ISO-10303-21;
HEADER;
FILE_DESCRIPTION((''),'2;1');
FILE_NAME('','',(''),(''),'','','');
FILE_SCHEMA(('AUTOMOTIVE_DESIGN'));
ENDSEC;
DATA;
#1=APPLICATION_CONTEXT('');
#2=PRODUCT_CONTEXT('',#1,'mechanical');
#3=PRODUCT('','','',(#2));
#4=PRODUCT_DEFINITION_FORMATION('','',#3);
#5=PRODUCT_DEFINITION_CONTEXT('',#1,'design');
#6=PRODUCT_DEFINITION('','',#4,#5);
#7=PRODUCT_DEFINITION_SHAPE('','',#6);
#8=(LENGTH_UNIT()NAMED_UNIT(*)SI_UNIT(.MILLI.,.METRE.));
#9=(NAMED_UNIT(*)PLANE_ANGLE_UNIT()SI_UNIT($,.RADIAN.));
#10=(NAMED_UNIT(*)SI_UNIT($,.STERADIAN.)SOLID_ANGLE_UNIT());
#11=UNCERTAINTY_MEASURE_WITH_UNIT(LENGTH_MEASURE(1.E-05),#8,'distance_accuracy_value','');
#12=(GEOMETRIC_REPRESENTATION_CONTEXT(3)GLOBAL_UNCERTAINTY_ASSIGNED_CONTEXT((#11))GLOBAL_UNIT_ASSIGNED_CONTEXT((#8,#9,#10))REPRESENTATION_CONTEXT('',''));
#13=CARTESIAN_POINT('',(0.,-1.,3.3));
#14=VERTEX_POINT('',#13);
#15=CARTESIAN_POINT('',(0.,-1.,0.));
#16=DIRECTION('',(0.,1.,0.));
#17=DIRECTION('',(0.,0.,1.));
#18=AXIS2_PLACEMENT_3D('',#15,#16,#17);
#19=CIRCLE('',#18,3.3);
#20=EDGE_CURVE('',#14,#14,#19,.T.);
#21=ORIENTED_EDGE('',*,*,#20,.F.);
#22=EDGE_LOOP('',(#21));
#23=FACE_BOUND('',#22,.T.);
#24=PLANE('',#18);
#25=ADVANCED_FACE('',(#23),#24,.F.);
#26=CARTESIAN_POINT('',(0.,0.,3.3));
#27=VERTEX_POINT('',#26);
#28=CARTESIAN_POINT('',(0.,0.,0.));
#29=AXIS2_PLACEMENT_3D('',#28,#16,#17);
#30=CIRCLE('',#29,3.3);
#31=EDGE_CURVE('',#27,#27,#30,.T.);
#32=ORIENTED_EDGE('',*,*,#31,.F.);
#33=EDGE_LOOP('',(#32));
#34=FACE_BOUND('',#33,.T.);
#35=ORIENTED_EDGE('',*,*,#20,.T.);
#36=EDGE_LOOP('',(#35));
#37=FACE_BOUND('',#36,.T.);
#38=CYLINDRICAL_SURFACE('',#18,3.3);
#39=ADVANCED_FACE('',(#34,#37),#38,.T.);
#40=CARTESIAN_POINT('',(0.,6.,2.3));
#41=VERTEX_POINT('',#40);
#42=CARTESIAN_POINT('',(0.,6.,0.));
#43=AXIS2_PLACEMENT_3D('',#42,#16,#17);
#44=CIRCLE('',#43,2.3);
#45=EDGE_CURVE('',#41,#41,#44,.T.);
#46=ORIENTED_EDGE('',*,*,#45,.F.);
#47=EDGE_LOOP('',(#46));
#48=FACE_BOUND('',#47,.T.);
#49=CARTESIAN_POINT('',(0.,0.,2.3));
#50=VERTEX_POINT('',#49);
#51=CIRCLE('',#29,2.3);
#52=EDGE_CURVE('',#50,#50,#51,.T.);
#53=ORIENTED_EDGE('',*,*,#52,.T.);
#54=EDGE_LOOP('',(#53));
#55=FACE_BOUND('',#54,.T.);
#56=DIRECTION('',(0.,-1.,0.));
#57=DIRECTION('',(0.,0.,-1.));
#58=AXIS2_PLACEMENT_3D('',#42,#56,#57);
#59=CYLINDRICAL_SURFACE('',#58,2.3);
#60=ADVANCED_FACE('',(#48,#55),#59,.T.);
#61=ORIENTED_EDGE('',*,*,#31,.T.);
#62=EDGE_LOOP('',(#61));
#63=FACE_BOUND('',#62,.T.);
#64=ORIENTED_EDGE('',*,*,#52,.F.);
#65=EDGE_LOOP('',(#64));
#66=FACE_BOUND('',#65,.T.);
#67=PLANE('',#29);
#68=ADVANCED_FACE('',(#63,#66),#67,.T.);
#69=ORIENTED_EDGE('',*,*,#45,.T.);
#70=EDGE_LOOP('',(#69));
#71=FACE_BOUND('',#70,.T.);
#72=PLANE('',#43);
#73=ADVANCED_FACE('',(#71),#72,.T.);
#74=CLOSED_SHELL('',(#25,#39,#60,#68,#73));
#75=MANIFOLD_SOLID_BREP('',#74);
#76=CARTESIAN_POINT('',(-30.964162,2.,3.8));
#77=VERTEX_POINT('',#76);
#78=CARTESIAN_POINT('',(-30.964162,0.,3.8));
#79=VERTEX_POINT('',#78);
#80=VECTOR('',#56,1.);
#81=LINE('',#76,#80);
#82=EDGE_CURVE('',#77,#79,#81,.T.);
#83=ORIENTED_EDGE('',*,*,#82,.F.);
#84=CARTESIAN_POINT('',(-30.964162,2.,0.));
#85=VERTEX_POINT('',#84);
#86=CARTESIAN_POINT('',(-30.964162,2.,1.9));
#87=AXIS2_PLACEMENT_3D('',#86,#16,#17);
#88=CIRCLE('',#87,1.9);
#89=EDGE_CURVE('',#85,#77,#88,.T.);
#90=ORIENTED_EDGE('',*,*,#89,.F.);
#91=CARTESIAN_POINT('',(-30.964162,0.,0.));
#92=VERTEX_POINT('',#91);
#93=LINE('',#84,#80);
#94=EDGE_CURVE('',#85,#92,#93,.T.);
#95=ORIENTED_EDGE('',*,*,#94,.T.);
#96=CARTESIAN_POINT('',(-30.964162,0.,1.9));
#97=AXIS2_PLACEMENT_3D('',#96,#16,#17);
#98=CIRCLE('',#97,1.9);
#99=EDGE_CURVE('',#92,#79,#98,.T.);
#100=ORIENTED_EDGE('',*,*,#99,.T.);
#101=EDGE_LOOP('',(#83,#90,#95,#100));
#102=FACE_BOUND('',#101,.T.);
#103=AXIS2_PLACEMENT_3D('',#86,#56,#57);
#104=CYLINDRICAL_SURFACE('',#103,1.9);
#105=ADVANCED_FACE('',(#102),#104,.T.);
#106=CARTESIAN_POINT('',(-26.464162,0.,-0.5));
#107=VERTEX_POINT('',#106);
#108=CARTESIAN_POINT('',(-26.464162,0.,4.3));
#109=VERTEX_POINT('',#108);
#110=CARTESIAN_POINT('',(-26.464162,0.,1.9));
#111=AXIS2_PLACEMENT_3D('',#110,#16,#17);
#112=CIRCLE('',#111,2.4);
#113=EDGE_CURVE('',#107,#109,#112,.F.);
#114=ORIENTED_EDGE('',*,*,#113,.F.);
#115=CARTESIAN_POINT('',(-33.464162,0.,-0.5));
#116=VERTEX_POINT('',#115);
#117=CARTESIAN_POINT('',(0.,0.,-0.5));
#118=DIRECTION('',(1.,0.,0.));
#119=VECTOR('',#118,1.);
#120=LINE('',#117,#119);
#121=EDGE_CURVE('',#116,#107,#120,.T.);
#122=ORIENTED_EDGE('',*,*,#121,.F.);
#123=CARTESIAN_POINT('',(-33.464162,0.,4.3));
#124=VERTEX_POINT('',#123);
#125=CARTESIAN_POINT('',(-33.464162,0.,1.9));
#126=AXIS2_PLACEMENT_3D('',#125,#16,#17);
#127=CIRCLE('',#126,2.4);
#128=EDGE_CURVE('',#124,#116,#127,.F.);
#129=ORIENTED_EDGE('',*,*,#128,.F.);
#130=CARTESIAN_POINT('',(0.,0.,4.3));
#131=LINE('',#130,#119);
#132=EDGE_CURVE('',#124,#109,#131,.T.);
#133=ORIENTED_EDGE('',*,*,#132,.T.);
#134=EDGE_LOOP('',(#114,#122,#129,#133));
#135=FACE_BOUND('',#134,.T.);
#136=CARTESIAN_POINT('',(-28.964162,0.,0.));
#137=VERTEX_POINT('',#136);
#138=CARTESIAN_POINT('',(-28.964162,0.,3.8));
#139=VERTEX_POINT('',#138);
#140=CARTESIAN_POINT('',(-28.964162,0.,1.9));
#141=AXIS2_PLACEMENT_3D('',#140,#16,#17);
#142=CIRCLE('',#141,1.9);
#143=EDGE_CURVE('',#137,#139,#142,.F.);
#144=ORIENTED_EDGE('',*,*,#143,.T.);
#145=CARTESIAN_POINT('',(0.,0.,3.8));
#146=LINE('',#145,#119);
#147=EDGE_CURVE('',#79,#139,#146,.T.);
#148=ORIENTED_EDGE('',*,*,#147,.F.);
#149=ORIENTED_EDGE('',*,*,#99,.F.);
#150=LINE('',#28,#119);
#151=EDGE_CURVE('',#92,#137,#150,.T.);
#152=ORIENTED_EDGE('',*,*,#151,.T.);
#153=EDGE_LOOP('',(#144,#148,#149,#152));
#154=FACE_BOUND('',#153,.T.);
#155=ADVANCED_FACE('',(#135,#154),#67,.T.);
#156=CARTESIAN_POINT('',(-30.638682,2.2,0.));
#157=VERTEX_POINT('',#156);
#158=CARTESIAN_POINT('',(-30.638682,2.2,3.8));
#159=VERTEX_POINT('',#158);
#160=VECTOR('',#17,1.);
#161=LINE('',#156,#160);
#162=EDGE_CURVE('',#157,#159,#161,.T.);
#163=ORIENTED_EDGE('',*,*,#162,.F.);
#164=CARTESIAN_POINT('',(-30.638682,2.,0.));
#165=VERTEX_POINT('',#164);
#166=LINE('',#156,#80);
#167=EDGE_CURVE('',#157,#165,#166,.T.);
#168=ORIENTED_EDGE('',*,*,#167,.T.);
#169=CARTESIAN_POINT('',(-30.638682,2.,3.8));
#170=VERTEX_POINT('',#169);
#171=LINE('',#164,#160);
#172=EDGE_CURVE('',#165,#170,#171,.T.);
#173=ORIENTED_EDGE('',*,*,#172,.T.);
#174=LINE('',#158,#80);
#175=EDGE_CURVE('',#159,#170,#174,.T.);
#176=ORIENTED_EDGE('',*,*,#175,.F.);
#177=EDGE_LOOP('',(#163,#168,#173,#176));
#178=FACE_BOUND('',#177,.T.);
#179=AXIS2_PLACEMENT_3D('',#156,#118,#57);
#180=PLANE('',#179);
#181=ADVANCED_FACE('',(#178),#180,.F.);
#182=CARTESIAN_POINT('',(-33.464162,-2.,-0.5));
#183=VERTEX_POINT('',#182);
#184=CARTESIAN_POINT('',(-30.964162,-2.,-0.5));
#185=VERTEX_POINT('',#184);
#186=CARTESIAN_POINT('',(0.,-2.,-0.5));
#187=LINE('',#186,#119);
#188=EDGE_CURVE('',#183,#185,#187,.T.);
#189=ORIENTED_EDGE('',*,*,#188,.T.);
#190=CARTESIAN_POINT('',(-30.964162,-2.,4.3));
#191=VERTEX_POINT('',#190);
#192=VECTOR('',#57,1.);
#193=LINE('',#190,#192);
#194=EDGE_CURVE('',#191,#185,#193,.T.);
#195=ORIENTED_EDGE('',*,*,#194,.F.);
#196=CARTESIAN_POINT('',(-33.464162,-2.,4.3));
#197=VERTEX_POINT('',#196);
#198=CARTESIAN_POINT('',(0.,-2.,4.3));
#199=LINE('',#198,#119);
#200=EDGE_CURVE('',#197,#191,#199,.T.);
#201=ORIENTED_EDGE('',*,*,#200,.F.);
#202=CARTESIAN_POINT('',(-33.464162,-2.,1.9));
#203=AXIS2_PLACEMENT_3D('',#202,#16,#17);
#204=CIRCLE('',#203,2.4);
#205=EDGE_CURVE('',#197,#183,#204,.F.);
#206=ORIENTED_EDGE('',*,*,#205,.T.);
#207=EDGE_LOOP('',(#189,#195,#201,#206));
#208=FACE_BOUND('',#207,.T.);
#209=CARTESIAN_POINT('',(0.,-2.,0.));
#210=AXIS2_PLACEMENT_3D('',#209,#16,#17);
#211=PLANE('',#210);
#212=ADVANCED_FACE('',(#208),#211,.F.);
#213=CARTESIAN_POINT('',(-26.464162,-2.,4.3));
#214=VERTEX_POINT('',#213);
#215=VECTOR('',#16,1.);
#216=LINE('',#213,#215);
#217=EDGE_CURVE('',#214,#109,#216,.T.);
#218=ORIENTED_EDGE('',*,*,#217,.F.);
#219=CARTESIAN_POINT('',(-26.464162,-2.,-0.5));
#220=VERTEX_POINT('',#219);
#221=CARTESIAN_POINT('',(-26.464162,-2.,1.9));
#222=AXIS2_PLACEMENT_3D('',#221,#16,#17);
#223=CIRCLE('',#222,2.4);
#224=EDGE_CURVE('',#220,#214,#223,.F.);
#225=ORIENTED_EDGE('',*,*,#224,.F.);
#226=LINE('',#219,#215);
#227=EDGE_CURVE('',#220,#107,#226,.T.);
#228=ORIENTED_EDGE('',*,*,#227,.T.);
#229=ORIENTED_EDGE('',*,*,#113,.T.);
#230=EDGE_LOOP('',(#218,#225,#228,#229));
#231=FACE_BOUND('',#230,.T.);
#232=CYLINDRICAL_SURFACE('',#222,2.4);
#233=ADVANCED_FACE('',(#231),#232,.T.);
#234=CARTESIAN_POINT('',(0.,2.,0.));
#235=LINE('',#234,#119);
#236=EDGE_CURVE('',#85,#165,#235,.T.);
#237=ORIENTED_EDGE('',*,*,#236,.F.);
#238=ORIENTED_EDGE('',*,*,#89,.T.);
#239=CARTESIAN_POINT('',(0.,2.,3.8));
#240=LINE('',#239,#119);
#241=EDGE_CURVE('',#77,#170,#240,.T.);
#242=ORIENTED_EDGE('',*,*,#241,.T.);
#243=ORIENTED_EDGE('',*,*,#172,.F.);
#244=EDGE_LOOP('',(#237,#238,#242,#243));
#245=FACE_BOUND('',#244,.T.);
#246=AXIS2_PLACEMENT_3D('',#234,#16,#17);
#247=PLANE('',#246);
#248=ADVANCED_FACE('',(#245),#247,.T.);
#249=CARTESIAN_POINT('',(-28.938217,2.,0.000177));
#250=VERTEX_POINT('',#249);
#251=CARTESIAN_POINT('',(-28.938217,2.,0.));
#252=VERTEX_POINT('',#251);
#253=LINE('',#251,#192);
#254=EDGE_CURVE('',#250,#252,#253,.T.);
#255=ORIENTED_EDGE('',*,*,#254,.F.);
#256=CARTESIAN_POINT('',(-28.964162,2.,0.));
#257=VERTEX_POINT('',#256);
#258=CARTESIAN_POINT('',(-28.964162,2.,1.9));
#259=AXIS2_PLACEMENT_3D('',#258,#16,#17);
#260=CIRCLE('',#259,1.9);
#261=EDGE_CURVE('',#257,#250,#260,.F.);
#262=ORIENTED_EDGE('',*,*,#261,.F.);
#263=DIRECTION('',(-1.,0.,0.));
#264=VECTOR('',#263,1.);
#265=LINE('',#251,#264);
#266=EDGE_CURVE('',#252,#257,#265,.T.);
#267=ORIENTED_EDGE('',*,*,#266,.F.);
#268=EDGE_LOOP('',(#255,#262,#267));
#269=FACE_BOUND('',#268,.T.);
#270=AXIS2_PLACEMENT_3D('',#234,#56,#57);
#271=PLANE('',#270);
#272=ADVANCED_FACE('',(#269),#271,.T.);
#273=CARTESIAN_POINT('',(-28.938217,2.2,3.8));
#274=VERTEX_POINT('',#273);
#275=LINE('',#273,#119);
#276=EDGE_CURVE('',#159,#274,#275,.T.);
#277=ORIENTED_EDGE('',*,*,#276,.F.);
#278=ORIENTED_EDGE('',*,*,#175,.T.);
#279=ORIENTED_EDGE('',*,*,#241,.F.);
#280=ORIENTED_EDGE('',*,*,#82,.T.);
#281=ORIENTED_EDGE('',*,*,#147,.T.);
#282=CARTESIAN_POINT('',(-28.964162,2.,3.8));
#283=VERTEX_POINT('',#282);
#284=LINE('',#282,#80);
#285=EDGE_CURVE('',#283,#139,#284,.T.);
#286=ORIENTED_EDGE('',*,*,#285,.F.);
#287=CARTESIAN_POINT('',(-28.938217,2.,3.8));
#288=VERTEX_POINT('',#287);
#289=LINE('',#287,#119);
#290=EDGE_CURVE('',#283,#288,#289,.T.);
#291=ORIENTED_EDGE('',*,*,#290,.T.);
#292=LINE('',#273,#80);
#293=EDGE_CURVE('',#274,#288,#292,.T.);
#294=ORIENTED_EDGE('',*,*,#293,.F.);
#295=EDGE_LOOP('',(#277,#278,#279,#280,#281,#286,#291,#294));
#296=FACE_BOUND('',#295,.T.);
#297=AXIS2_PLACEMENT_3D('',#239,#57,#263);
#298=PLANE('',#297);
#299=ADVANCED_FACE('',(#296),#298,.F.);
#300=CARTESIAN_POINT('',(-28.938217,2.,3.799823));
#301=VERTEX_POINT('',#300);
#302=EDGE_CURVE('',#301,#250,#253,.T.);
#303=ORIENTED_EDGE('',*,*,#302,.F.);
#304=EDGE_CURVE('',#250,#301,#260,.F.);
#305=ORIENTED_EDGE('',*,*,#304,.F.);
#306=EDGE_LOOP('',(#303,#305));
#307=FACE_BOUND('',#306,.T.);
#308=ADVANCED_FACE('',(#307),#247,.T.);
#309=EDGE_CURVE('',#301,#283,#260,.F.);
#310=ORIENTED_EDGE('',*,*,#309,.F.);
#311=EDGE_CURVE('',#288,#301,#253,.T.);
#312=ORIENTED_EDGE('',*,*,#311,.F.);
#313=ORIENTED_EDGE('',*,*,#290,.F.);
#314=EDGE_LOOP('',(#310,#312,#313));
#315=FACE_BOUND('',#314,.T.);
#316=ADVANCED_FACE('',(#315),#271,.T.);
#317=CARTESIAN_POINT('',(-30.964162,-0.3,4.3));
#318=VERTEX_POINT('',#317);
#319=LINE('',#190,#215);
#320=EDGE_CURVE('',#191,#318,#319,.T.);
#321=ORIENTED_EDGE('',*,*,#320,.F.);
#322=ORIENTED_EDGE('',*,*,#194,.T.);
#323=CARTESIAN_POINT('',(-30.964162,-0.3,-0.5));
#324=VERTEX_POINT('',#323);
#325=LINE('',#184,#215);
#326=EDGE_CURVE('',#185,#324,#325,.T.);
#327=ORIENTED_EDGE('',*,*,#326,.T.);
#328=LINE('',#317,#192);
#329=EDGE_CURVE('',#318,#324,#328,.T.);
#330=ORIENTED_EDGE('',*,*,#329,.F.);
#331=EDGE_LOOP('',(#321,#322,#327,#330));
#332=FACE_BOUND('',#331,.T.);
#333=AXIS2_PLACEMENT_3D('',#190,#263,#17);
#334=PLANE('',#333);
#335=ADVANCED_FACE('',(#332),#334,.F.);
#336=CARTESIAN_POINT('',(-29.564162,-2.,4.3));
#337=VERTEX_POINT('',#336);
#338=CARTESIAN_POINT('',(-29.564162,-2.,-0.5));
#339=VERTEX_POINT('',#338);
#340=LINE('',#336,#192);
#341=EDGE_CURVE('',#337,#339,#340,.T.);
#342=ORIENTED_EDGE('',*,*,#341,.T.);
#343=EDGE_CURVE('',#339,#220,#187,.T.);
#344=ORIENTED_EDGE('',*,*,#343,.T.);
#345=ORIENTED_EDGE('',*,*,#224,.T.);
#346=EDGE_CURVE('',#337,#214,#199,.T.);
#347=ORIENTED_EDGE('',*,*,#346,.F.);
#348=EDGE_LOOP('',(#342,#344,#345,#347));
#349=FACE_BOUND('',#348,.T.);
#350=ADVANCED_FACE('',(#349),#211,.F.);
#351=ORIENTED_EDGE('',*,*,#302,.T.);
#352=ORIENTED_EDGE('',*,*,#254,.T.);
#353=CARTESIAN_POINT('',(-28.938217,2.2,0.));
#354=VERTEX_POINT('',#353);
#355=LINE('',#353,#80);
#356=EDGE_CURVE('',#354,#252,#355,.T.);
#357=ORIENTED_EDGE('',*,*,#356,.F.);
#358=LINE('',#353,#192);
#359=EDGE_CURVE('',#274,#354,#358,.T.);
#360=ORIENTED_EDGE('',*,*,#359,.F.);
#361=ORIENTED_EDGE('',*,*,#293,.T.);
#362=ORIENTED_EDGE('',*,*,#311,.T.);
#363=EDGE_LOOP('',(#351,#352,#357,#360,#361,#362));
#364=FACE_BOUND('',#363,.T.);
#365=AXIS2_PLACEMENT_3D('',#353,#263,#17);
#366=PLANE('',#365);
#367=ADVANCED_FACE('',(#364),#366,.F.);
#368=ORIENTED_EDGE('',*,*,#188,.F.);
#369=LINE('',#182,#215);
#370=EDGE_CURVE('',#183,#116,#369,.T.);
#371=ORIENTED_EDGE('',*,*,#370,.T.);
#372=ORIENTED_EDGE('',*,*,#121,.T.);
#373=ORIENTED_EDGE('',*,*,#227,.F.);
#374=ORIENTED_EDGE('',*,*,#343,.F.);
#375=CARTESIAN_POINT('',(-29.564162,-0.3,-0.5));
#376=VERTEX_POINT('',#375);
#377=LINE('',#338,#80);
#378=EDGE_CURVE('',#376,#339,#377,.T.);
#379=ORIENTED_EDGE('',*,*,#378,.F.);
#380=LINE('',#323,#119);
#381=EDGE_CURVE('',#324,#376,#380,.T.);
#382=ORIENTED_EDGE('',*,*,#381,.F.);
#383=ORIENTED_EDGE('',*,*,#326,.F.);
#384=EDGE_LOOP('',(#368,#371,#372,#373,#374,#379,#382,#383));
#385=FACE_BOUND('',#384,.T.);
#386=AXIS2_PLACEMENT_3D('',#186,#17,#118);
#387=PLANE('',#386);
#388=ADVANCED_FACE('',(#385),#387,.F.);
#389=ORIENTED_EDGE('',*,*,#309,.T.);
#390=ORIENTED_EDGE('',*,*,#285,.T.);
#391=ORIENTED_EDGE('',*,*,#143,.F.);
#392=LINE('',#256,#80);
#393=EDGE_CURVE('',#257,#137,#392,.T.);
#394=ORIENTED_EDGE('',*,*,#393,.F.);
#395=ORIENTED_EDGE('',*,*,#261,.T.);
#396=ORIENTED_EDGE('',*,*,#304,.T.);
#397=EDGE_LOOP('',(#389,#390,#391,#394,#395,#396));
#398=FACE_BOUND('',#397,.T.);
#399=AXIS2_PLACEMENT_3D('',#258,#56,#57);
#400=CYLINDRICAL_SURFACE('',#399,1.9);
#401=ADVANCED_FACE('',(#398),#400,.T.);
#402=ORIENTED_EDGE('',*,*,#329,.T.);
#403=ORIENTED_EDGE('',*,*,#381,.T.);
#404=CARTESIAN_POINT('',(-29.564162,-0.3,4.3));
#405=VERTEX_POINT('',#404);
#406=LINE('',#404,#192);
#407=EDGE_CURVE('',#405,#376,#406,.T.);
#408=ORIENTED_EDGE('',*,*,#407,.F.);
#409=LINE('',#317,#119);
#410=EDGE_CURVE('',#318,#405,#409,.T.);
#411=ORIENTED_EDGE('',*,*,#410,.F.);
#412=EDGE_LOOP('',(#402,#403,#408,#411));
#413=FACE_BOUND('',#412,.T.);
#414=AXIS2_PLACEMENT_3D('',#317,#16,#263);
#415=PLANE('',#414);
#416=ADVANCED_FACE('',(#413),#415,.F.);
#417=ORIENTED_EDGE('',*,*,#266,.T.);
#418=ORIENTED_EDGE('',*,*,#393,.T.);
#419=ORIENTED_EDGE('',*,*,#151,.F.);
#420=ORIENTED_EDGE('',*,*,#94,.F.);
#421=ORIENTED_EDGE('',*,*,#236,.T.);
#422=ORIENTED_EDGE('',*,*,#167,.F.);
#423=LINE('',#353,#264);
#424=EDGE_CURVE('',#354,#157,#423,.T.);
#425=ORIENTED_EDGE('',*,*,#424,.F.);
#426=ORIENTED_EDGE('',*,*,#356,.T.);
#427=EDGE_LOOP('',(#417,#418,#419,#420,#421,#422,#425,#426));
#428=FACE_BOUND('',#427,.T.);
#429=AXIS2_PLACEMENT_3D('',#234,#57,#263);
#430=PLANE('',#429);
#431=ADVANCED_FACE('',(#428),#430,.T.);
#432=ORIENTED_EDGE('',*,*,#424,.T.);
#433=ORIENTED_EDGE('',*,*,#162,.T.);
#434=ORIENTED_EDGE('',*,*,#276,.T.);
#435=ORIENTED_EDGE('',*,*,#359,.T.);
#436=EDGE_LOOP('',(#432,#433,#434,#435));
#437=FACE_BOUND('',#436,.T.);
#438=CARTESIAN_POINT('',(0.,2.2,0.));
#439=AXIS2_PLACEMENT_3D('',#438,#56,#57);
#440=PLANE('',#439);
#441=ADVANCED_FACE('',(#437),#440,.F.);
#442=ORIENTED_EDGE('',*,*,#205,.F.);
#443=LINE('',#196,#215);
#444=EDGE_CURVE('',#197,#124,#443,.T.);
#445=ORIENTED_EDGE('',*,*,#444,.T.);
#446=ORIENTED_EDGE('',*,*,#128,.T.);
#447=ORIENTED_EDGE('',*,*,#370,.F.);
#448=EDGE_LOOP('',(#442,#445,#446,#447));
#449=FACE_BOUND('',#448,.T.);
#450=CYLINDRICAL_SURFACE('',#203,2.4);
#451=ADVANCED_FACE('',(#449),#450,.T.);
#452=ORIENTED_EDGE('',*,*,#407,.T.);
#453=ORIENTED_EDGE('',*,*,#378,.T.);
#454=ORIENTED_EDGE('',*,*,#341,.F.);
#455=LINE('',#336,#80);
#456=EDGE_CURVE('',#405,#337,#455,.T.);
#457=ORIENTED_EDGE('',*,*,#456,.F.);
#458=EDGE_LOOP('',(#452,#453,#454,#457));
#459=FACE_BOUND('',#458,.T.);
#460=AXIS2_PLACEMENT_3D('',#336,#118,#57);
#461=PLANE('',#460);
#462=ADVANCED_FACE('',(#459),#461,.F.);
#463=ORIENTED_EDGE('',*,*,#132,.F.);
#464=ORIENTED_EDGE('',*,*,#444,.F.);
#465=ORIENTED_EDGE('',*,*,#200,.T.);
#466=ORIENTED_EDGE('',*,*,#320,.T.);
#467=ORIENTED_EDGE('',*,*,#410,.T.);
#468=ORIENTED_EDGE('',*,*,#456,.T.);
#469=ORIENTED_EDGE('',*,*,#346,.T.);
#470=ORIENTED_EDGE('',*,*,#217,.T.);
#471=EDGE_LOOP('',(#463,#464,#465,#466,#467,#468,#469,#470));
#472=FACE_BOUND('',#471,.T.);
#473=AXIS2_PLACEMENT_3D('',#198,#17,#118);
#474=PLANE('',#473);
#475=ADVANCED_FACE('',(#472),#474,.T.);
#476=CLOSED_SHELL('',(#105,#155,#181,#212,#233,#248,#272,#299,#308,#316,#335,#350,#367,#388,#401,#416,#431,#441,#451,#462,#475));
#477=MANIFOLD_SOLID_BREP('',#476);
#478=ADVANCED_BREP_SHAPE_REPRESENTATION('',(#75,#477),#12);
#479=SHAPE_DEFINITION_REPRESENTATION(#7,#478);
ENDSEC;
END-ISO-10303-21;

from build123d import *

# Parameters (mm, degrees)
SKETCH_1_R          = 3.3
EXTRUDE_1_DEPTH     = 1
SKETCH_1_3_R        = 2.3
EXTRUDE_2_DEPTH     = 6
EXTRUDE_3_DEPTH     = 2
EXTRUDE_4_DEPTH     = 2
SKETCH_2_W          = 1.4
SKETCH_2_H          = 1.7
CUT_EXTRUDE_1_DEPTH = 37.678033239
SKETCH_3_W          = 1.700465275
SKETCH_3_H          = 3.8
EXTRUDE_5_DEPTH     = 0.2


with BuildPart() as part:
    # 草图1 → 凸台-拉伸1 (new body)
    with BuildSketch(Plane(origin=(0, 0, 0), x_dir=(1, 0, 0), z_dir=(0, 1, 0))):
        Circle(SKETCH_1_R)
    extrude(amount=-EXTRUDE_1_DEPTH)

    # 草图1<3> → 凸台-拉伸2 (add)
    with BuildSketch(Plane(origin=(0, 0, 0), x_dir=(1, 0, 0), z_dir=(0, 1, 0))):
        Circle(SKETCH_1_3_R)
    extrude(amount=EXTRUDE_2_DEPTH)


with BuildPart() as body_2:
    # 草图1<5> → 凸台-拉伸3 (new body)
    with BuildSketch(Plane(origin=(0, 0, 0), x_dir=(1, 0, 0), z_dir=(0, 1, 0))):
        with BuildLine():
            Line((-26.464162089, 0.5), (-33.464162089, 0.5))
            ThreePointArc((-33.464162089, 0.5), (-35.864162089, -1.9), (-33.464162089, -4.3))
            Line((-33.464162089, -4.3), (-26.464162089, -4.3))
            ThreePointArc((-26.464162089, -4.3), (-24.064162089, -1.9), (-26.464162089, 0.5))
        make_face()
    extrude(amount=-EXTRUDE_3_DEPTH)

    # 草图1<6> → 凸台-拉伸4 (add)
    with BuildSketch(Plane(origin=(0, 0, 0), x_dir=(1, 0, 0), z_dir=(0, 1, 0))):
        with BuildLine():
            Line((-28.964162089, 0), (-30.964162089, 0))
            ThreePointArc((-30.964162089, 0), (-32.864162089, -1.9), (-30.964162089, -3.8))
            Line((-30.964162089, -3.8), (-28.964162089, -3.8))
            ThreePointArc((-28.964162089, -3.8), (-27.064162089, -1.9), (-28.964162089, 0))
        make_face()
    extrude(amount=EXTRUDE_4_DEPTH)

    # 草图2 → 切除-拉伸1 (cut, through all)
    with BuildSketch(Plane(origin=(0, 0, -0.5), x_dir=(-1, 0, 0), z_dir=(0, 0, -1))):
        with Locations((30.264162089, -1.15)):
            Rectangle(SKETCH_2_W, SKETCH_2_H)
    extrude(amount=-CUT_EXTRUDE_1_DEPTH, mode=Mode.SUBTRACT)

    # 草图3 → 凸台-拉伸5 (add)
    with BuildSketch(Plane(origin=(0, 2, 0), x_dir=(1, 0, 0), z_dir=(0, 1, 0))):
        with Locations((-29.788449326, -1.9)):
            Rectangle(SKETCH_3_W, SKETCH_3_H)
    extrude(amount=EXTRUDE_5_DEPTH)


solid = Compound([part.part, body_2.part])
